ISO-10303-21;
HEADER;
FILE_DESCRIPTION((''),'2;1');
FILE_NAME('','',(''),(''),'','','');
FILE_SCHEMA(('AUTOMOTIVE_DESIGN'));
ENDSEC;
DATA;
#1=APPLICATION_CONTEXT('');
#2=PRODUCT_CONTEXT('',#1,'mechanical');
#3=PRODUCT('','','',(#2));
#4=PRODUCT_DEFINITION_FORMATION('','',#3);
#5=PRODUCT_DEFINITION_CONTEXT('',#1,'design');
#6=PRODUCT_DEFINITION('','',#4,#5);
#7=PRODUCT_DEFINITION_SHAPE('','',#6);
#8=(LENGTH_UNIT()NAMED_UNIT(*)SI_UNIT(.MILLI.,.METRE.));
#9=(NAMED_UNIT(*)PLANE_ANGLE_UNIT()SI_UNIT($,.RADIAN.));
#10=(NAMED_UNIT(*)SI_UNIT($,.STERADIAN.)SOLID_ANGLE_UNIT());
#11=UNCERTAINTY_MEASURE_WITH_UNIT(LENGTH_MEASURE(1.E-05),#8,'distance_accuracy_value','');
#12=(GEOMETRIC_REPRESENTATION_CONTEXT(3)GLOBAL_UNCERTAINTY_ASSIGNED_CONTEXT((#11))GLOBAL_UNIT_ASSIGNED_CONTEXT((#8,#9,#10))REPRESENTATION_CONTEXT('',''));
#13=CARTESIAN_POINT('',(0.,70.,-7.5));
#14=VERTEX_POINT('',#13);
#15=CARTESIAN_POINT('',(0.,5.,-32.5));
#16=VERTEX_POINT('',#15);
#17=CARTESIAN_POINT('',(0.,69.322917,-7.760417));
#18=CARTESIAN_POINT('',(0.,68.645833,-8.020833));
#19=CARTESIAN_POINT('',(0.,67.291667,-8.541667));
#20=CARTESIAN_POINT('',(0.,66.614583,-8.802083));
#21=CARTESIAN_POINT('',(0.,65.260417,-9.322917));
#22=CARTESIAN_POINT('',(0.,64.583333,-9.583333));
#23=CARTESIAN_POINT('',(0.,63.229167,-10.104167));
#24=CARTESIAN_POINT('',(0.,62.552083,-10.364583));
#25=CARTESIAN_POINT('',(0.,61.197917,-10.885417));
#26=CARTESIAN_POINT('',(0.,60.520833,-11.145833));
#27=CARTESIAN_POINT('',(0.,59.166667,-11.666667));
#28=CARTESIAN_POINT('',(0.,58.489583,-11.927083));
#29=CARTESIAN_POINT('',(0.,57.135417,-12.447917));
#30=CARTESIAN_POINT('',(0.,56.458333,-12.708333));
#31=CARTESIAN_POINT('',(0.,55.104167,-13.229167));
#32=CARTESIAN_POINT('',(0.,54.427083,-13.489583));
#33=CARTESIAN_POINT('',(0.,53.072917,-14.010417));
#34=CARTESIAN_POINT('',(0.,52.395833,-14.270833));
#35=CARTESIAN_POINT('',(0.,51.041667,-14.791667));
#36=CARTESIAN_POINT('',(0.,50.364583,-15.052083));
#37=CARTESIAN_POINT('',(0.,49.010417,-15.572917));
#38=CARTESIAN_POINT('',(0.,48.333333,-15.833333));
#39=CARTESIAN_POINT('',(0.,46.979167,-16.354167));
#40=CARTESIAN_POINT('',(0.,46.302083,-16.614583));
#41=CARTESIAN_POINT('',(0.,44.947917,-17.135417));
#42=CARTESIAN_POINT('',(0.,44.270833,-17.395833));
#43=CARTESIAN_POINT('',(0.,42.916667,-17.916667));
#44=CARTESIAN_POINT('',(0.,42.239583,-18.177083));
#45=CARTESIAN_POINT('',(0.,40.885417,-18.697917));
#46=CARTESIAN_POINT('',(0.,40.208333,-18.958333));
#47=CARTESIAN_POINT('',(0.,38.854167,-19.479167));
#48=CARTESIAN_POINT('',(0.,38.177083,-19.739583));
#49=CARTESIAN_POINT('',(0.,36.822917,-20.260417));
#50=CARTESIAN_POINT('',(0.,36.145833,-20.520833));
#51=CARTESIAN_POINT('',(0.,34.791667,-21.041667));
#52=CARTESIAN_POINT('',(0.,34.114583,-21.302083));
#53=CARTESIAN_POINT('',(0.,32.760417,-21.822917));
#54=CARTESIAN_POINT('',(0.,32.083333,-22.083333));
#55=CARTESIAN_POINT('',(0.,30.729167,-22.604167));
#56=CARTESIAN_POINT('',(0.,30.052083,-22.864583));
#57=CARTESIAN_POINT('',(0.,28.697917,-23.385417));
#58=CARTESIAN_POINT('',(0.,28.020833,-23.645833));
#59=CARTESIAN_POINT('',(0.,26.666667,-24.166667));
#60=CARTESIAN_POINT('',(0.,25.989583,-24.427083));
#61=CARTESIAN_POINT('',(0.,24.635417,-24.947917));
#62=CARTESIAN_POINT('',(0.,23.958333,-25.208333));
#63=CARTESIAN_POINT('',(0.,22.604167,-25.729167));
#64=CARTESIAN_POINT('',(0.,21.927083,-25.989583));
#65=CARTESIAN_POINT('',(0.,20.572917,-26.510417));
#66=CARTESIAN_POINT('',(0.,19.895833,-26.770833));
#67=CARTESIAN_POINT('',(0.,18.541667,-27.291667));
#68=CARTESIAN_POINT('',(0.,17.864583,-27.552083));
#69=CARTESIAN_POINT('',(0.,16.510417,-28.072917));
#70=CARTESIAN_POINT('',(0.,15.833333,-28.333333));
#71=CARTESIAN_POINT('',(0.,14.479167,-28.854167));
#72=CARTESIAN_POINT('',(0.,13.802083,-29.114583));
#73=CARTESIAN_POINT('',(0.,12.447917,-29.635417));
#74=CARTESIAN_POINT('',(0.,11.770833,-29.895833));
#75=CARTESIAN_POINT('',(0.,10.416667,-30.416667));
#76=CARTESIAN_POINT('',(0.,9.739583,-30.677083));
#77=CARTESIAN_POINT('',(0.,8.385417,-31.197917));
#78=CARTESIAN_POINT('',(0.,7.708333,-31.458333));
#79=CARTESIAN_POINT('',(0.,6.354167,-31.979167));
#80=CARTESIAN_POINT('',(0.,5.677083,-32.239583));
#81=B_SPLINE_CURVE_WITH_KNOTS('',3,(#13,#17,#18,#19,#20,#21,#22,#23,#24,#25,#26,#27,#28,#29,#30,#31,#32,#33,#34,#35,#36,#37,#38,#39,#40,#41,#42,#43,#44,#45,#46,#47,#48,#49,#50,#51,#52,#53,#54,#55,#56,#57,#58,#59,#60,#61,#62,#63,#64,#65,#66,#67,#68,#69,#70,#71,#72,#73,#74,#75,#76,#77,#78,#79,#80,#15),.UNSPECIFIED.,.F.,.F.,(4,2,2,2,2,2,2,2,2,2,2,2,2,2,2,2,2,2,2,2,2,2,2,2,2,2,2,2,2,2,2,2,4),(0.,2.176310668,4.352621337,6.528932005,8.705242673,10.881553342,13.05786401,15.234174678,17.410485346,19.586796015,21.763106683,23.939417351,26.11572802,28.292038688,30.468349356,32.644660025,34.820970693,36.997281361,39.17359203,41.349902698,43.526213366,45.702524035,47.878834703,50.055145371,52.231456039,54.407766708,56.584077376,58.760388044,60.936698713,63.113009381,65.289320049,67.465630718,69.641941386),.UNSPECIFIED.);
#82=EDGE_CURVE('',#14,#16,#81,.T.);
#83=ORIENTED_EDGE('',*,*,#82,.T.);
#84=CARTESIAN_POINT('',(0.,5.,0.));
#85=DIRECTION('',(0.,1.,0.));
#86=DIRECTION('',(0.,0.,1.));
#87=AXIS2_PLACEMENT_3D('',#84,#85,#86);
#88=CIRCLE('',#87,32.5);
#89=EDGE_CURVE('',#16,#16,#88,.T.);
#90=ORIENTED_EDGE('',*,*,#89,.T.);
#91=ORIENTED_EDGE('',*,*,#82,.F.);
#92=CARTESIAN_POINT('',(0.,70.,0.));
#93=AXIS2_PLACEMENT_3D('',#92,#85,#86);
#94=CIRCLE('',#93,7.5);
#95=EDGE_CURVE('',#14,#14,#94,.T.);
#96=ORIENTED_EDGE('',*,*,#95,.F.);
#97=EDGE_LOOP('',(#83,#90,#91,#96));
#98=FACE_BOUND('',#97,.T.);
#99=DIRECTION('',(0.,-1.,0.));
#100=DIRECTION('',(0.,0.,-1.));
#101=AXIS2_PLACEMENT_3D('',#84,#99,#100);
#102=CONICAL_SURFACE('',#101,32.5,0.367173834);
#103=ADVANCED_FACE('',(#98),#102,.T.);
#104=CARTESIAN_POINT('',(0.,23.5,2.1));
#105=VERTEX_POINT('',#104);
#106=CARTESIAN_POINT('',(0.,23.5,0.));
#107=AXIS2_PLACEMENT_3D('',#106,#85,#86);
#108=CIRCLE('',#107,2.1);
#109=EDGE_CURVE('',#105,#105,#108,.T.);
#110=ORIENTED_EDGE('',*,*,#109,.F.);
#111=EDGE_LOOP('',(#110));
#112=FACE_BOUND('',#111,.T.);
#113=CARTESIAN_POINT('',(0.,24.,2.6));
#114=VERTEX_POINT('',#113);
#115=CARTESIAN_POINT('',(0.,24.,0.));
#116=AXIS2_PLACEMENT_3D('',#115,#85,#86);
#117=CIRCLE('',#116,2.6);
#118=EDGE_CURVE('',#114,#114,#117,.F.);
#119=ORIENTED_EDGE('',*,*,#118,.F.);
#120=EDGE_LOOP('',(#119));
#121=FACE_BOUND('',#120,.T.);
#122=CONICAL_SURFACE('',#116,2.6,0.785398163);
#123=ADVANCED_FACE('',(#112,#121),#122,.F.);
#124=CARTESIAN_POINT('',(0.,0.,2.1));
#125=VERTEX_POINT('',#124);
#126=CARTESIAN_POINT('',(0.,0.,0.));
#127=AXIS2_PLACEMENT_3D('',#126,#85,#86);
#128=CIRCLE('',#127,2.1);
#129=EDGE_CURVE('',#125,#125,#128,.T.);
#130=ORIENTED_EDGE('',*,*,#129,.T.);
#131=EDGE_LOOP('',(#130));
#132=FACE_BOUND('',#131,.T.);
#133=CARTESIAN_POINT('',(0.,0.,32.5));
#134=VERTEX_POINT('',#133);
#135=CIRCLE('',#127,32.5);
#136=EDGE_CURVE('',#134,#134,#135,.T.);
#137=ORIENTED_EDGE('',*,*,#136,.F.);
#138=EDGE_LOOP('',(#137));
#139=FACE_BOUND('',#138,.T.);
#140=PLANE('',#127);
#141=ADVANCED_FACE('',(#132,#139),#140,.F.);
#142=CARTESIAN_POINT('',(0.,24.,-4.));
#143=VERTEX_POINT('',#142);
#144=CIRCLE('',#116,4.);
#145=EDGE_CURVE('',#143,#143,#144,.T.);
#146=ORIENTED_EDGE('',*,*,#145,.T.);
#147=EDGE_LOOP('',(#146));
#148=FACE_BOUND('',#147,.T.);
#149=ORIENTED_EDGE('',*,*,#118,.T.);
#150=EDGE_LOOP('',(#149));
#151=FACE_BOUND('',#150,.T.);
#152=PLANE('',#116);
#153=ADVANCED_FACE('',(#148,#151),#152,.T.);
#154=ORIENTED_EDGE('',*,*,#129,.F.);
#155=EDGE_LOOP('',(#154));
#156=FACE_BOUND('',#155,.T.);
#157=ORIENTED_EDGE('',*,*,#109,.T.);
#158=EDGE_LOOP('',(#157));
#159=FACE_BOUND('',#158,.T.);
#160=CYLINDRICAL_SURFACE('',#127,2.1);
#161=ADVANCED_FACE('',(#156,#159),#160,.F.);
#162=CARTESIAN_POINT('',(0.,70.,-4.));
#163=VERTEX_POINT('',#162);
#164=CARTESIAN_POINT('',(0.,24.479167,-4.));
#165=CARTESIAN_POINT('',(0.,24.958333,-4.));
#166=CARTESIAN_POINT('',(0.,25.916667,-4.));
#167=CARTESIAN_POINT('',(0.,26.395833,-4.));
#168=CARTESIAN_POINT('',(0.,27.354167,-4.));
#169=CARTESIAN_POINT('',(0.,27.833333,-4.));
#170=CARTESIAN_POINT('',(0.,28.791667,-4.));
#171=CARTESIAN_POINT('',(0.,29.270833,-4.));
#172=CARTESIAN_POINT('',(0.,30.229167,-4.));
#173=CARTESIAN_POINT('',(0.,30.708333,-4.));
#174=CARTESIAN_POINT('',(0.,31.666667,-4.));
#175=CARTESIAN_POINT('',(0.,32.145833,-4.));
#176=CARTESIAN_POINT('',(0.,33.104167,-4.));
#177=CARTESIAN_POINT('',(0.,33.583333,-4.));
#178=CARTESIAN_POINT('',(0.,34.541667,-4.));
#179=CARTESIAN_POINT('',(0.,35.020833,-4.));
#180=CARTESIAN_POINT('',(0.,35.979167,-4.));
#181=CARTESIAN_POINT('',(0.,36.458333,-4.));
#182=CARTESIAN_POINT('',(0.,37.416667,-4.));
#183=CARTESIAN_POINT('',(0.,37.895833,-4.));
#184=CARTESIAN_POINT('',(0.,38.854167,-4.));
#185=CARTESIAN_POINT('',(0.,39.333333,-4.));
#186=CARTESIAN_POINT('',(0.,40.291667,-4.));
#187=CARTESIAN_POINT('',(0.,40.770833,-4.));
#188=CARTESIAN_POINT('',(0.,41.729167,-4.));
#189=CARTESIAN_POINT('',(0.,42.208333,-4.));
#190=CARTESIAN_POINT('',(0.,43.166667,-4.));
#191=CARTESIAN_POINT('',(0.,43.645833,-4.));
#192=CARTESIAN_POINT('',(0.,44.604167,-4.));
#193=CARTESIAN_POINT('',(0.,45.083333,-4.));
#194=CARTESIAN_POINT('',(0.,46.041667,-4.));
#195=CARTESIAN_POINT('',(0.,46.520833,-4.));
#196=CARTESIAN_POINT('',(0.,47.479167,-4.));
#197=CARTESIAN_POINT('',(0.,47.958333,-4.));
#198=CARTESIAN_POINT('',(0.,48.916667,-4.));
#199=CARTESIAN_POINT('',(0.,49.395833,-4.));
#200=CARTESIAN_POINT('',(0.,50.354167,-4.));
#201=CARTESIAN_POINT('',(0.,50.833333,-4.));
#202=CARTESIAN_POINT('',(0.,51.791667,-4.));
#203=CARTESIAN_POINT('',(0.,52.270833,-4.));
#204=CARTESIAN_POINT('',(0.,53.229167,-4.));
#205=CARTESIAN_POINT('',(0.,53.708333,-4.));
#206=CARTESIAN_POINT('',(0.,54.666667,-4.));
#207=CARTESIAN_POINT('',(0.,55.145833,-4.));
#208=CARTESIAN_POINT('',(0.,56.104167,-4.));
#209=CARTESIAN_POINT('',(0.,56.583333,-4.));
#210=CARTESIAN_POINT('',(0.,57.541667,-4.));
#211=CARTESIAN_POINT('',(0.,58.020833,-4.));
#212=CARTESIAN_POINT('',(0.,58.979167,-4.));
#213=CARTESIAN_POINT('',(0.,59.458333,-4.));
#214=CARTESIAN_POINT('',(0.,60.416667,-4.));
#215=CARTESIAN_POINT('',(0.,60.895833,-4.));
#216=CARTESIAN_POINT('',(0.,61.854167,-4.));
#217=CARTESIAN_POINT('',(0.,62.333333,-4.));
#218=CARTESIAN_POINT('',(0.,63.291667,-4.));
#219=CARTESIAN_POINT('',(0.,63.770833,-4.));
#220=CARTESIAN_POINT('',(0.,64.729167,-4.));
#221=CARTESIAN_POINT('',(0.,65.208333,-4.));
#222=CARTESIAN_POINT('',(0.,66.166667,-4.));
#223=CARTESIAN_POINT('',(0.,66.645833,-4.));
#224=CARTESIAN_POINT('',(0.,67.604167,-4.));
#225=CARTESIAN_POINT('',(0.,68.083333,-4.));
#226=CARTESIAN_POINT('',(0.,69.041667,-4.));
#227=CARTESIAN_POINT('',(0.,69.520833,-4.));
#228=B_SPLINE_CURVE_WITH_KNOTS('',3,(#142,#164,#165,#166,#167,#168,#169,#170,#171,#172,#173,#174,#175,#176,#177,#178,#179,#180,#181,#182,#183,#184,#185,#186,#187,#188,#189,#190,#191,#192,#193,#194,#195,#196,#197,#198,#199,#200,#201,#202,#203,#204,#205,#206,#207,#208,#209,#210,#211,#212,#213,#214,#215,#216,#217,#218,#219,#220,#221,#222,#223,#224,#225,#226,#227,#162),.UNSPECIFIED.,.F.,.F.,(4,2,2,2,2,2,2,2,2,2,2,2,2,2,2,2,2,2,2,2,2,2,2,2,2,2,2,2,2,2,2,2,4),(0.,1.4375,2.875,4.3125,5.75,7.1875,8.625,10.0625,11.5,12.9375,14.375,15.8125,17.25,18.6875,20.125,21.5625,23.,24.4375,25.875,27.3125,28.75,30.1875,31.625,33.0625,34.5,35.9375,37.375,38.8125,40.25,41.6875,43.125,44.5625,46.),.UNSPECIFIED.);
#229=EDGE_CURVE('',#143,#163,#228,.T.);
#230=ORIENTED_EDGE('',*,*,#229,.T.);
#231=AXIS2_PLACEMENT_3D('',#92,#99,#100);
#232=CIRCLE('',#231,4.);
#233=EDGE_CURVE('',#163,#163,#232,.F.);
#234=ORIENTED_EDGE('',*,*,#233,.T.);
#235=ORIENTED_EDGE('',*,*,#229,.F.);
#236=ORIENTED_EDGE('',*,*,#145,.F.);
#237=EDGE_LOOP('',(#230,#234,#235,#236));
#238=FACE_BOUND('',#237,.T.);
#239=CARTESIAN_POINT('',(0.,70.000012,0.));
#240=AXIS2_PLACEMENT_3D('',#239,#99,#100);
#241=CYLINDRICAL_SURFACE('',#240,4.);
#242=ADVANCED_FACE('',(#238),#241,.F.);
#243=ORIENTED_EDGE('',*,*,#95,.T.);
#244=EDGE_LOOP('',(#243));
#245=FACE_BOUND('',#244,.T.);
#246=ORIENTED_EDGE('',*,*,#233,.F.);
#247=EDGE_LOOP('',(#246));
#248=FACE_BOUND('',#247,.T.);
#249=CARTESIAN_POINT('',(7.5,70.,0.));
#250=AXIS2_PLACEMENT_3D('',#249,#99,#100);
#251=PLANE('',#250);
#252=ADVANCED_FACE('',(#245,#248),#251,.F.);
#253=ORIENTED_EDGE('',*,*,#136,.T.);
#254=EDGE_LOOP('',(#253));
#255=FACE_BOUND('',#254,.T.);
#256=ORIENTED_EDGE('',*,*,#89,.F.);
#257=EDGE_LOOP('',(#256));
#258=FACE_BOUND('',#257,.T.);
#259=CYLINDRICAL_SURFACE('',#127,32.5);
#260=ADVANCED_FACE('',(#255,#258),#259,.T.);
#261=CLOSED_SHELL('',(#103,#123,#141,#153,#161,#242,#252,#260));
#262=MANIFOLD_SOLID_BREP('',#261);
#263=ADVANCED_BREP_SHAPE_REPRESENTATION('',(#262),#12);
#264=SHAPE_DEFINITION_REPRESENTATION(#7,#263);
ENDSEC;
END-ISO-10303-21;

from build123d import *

# Parameters (mm, degrees)
ODEBRAT_VYSUNUT_M2_DEPTH      = 84.740671122
ODEBRAT_VYSUNUT_M2_DEPTH_BACK = 84.740671122
SKICA4_R                      = 2.1
ODEBRAT_VYSUNUT_M3_DEPTH      = 84.740671122
ODEBRAT_VYSUNUT_M3_DEPTH_BACK = 46
SKICA6_R                      = 4
ZKOSEN_1_SIZE                 = 0.5


with BuildPart() as part:
    # Skica1 → Rotovat1 (revolve)
    with BuildSketch(Plane.XY, mode=Mode.PRIVATE) as rotovat1_sk:
        Polygon((0, 0), (32.5, 0), (32.5, 5), (7.5, 70), (0, 70), align=None)
    revolve(rotovat1_sk.sketch.rotate(Axis((0, 0, 0), (0, -1, 0)), 90), axis=Axis((0, 0, 0), (0, -1, 0)))

    # Skica4 → Odebrat vysunutím2 (cut, two sides: drawn at the far end of the back side and taken through both)
    with BuildSketch(Plane(origin=(0, 70, 0), x_dir=(1, 0, 0), z_dir=(0, 1, 0)).offset(-ODEBRAT_VYSUNUT_M2_DEPTH_BACK)):
        with Locations(Location((0, 0, 0), (0, 0, 270))):
            Circle(SKICA4_R)
    extrude(amount=ODEBRAT_VYSUNUT_M2_DEPTH + ODEBRAT_VYSUNUT_M2_DEPTH_BACK, mode=Mode.SUBTRACT)

    # Skica6 → Odebrat vysunutím3 (cut, two sides: drawn at the far end of the back side and taken through both)
    with BuildSketch(Plane(origin=(0, 70, 0), x_dir=(1, 0, 0), z_dir=(0, 1, 0)).offset(-ODEBRAT_VYSUNUT_M3_DEPTH_BACK)):
        with Locations(Location((0, 0, 0), (0, 0, 90))):
            Circle(SKICA6_R)
    extrude(amount=ODEBRAT_VYSUNUT_M3_DEPTH + ODEBRAT_VYSUNUT_M3_DEPTH_BACK, mode=Mode.SUBTRACT)

    # Zkosení1
    zkosen_1_edges = [part.edges().sort_by_distance(p)[0] for p in [
        (0, 24, -2.1),
    ]]
    chamfer(zkosen_1_edges, length=ZKOSEN_1_SIZE)


solid = part.part
